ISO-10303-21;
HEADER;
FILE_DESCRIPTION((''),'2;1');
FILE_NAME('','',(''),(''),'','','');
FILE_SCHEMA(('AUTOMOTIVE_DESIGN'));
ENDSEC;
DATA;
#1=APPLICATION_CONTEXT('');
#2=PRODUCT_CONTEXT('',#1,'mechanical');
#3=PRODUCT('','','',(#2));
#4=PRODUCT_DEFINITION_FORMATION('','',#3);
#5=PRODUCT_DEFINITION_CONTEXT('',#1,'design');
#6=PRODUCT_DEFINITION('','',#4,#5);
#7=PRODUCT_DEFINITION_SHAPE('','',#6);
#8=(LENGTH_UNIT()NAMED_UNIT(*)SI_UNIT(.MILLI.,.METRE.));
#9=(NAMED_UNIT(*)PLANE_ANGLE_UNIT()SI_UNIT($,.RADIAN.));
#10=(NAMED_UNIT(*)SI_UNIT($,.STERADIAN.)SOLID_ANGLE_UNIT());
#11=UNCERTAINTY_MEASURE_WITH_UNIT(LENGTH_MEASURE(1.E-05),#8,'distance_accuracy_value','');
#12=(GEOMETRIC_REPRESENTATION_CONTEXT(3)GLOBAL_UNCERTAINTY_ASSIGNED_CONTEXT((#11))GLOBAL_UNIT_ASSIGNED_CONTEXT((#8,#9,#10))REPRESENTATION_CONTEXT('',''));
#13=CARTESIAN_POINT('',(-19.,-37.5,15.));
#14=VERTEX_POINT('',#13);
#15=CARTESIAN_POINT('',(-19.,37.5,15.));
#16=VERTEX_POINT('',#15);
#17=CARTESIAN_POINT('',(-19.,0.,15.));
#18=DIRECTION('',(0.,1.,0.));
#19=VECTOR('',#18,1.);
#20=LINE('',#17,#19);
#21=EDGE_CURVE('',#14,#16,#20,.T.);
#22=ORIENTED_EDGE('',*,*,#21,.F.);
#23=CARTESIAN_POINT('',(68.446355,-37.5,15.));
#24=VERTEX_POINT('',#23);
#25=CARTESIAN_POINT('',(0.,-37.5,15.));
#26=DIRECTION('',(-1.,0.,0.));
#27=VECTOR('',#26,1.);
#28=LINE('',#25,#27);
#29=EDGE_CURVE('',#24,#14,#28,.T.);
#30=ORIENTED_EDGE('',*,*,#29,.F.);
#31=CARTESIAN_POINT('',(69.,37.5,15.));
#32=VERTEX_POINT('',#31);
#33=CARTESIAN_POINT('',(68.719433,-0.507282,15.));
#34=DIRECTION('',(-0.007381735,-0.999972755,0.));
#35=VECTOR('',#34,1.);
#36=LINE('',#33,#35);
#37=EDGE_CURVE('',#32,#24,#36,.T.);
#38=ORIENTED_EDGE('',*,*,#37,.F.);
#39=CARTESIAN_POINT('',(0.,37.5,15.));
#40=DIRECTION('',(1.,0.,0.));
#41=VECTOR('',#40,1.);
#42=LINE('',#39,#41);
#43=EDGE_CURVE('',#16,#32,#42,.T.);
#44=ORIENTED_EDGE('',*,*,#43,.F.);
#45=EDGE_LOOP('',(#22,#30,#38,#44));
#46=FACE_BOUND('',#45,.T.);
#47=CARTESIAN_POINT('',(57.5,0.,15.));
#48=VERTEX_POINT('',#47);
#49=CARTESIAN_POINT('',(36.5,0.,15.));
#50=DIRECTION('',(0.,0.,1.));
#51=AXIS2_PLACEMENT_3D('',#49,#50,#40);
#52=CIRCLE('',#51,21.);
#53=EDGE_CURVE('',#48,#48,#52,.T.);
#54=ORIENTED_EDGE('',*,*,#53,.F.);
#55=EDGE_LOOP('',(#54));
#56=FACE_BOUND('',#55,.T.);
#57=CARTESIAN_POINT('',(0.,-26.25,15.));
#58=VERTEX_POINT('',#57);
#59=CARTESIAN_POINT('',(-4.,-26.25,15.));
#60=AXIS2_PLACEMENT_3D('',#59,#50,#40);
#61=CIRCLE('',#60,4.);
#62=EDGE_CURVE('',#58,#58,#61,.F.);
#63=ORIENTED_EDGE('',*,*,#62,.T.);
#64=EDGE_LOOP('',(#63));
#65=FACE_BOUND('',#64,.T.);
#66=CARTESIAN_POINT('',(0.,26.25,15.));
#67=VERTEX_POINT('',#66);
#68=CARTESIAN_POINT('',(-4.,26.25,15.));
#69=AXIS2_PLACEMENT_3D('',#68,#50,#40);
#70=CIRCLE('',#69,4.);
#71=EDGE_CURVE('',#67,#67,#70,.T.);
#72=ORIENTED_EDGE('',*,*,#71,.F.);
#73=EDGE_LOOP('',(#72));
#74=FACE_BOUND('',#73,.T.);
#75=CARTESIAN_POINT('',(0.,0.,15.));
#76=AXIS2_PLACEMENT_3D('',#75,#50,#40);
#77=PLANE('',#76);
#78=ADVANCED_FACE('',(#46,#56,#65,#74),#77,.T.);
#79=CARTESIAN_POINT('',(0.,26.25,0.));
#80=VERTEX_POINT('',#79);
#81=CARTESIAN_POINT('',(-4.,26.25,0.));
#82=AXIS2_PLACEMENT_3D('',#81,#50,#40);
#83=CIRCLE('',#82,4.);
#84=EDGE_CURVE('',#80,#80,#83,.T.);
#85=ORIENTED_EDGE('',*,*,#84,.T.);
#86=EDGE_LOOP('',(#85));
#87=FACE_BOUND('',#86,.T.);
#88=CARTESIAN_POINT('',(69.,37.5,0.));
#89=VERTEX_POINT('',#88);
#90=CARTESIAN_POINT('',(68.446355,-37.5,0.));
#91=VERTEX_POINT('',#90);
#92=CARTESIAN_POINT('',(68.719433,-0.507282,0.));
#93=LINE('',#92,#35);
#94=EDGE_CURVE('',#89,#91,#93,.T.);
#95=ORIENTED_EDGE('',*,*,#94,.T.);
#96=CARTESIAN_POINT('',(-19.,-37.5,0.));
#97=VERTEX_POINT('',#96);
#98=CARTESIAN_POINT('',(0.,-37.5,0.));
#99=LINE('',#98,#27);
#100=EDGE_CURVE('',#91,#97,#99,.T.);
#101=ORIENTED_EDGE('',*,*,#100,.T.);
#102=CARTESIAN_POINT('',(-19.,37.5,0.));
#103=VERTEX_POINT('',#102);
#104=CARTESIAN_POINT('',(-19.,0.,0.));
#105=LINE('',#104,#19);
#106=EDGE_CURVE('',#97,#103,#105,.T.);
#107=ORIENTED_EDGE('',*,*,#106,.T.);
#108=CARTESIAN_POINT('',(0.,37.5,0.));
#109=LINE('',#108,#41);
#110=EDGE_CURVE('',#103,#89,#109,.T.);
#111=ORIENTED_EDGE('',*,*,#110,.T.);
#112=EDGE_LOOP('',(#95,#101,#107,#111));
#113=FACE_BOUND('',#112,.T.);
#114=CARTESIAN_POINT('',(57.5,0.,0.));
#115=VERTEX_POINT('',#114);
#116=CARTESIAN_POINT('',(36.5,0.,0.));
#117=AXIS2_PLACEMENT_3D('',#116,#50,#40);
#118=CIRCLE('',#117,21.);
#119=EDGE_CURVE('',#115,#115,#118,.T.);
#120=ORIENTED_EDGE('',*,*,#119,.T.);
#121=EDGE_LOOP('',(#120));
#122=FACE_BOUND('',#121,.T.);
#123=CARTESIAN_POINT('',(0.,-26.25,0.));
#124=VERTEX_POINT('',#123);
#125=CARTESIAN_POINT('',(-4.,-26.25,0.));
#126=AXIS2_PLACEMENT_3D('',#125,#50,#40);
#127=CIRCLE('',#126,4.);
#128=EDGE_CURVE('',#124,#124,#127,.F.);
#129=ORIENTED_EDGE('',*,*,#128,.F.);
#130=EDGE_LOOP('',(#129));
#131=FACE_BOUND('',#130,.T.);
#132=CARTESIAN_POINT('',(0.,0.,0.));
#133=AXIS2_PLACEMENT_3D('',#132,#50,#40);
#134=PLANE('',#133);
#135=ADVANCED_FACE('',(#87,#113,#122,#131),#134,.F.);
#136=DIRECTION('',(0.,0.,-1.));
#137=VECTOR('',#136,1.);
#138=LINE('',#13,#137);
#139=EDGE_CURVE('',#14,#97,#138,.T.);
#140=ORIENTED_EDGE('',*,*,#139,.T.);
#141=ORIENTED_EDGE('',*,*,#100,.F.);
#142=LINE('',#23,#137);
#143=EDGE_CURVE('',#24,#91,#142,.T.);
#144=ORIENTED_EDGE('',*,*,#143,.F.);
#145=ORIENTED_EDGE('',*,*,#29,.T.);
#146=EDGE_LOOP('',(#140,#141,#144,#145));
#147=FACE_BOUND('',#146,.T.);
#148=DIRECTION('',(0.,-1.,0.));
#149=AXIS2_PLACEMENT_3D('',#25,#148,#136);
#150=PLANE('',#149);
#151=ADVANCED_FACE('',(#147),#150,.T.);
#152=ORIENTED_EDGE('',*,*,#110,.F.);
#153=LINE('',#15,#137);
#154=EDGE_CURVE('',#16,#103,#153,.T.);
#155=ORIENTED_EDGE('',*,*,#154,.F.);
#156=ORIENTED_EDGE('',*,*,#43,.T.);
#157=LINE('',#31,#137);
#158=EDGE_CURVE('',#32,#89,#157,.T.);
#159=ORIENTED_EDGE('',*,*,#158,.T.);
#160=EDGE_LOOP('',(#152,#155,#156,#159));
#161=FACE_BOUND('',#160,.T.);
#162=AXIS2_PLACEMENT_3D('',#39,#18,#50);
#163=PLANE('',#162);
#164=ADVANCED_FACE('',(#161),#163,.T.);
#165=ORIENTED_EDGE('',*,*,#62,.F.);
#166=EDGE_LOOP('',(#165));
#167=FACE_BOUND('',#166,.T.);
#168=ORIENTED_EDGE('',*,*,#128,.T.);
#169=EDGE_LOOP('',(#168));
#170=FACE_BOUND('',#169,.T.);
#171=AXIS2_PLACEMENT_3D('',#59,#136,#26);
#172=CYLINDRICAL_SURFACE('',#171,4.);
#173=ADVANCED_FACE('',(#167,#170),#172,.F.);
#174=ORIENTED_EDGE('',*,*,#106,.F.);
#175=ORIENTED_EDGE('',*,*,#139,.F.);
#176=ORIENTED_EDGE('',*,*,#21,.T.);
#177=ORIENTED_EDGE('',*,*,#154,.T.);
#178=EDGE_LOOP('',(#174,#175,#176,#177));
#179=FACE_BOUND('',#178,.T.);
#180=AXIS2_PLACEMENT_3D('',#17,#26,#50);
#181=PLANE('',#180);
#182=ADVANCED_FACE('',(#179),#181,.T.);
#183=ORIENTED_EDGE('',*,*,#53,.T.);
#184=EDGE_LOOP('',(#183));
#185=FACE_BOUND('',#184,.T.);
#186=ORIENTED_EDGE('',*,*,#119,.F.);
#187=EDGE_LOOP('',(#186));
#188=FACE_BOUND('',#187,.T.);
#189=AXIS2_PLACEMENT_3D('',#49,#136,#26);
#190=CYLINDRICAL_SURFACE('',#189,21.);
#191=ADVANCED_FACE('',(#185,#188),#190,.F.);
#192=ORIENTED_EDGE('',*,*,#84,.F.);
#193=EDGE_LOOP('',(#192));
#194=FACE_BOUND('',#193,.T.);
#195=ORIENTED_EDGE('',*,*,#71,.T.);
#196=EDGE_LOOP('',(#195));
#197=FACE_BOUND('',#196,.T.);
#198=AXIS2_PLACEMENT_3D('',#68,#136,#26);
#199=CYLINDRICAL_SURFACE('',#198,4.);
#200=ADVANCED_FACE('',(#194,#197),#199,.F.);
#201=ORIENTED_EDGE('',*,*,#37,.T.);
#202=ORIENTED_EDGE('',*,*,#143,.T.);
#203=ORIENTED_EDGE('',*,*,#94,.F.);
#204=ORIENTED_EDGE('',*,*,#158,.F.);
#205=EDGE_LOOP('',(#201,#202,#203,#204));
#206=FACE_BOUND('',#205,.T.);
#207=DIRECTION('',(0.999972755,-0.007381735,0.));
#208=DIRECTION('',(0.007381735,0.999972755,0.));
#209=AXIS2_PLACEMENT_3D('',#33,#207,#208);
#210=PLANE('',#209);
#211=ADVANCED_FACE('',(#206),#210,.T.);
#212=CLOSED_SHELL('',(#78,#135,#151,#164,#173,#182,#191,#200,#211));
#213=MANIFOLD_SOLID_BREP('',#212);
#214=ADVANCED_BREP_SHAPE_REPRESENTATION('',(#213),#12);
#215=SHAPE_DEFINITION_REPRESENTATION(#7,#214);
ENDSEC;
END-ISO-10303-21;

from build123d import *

# Parameters (mm, degrees)
SKETCH_1_R      = 4
SKETCH_1_R_2    = 21
EXTRUDE_1_DEPTH = 15


with BuildPart() as part:
    # 草图1 → 凸台-拉伸1 (new body)
    with BuildSketch(Plane.XY):
        Polygon((11, 37.5), (-19, 37.5), (-19, 26.25), (-19, 0), (-19, -37.5), (19, -37.5), (68.446354823, -37.5), (69, 37.5), (19, 37.5), align=None)
        with Locations((-4, -26.25)):
            Circle(SKETCH_1_R, mode=Mode.SUBTRACT)
        with Locations((-4, 26.25)):
            Circle(SKETCH_1_R, mode=Mode.SUBTRACT)
        with Locations((36.5, 0)):
            Circle(SKETCH_1_R_2, mode=Mode.SUBTRACT)
    extrude(amount=EXTRUDE_1_DEPTH)


solid = part.part
